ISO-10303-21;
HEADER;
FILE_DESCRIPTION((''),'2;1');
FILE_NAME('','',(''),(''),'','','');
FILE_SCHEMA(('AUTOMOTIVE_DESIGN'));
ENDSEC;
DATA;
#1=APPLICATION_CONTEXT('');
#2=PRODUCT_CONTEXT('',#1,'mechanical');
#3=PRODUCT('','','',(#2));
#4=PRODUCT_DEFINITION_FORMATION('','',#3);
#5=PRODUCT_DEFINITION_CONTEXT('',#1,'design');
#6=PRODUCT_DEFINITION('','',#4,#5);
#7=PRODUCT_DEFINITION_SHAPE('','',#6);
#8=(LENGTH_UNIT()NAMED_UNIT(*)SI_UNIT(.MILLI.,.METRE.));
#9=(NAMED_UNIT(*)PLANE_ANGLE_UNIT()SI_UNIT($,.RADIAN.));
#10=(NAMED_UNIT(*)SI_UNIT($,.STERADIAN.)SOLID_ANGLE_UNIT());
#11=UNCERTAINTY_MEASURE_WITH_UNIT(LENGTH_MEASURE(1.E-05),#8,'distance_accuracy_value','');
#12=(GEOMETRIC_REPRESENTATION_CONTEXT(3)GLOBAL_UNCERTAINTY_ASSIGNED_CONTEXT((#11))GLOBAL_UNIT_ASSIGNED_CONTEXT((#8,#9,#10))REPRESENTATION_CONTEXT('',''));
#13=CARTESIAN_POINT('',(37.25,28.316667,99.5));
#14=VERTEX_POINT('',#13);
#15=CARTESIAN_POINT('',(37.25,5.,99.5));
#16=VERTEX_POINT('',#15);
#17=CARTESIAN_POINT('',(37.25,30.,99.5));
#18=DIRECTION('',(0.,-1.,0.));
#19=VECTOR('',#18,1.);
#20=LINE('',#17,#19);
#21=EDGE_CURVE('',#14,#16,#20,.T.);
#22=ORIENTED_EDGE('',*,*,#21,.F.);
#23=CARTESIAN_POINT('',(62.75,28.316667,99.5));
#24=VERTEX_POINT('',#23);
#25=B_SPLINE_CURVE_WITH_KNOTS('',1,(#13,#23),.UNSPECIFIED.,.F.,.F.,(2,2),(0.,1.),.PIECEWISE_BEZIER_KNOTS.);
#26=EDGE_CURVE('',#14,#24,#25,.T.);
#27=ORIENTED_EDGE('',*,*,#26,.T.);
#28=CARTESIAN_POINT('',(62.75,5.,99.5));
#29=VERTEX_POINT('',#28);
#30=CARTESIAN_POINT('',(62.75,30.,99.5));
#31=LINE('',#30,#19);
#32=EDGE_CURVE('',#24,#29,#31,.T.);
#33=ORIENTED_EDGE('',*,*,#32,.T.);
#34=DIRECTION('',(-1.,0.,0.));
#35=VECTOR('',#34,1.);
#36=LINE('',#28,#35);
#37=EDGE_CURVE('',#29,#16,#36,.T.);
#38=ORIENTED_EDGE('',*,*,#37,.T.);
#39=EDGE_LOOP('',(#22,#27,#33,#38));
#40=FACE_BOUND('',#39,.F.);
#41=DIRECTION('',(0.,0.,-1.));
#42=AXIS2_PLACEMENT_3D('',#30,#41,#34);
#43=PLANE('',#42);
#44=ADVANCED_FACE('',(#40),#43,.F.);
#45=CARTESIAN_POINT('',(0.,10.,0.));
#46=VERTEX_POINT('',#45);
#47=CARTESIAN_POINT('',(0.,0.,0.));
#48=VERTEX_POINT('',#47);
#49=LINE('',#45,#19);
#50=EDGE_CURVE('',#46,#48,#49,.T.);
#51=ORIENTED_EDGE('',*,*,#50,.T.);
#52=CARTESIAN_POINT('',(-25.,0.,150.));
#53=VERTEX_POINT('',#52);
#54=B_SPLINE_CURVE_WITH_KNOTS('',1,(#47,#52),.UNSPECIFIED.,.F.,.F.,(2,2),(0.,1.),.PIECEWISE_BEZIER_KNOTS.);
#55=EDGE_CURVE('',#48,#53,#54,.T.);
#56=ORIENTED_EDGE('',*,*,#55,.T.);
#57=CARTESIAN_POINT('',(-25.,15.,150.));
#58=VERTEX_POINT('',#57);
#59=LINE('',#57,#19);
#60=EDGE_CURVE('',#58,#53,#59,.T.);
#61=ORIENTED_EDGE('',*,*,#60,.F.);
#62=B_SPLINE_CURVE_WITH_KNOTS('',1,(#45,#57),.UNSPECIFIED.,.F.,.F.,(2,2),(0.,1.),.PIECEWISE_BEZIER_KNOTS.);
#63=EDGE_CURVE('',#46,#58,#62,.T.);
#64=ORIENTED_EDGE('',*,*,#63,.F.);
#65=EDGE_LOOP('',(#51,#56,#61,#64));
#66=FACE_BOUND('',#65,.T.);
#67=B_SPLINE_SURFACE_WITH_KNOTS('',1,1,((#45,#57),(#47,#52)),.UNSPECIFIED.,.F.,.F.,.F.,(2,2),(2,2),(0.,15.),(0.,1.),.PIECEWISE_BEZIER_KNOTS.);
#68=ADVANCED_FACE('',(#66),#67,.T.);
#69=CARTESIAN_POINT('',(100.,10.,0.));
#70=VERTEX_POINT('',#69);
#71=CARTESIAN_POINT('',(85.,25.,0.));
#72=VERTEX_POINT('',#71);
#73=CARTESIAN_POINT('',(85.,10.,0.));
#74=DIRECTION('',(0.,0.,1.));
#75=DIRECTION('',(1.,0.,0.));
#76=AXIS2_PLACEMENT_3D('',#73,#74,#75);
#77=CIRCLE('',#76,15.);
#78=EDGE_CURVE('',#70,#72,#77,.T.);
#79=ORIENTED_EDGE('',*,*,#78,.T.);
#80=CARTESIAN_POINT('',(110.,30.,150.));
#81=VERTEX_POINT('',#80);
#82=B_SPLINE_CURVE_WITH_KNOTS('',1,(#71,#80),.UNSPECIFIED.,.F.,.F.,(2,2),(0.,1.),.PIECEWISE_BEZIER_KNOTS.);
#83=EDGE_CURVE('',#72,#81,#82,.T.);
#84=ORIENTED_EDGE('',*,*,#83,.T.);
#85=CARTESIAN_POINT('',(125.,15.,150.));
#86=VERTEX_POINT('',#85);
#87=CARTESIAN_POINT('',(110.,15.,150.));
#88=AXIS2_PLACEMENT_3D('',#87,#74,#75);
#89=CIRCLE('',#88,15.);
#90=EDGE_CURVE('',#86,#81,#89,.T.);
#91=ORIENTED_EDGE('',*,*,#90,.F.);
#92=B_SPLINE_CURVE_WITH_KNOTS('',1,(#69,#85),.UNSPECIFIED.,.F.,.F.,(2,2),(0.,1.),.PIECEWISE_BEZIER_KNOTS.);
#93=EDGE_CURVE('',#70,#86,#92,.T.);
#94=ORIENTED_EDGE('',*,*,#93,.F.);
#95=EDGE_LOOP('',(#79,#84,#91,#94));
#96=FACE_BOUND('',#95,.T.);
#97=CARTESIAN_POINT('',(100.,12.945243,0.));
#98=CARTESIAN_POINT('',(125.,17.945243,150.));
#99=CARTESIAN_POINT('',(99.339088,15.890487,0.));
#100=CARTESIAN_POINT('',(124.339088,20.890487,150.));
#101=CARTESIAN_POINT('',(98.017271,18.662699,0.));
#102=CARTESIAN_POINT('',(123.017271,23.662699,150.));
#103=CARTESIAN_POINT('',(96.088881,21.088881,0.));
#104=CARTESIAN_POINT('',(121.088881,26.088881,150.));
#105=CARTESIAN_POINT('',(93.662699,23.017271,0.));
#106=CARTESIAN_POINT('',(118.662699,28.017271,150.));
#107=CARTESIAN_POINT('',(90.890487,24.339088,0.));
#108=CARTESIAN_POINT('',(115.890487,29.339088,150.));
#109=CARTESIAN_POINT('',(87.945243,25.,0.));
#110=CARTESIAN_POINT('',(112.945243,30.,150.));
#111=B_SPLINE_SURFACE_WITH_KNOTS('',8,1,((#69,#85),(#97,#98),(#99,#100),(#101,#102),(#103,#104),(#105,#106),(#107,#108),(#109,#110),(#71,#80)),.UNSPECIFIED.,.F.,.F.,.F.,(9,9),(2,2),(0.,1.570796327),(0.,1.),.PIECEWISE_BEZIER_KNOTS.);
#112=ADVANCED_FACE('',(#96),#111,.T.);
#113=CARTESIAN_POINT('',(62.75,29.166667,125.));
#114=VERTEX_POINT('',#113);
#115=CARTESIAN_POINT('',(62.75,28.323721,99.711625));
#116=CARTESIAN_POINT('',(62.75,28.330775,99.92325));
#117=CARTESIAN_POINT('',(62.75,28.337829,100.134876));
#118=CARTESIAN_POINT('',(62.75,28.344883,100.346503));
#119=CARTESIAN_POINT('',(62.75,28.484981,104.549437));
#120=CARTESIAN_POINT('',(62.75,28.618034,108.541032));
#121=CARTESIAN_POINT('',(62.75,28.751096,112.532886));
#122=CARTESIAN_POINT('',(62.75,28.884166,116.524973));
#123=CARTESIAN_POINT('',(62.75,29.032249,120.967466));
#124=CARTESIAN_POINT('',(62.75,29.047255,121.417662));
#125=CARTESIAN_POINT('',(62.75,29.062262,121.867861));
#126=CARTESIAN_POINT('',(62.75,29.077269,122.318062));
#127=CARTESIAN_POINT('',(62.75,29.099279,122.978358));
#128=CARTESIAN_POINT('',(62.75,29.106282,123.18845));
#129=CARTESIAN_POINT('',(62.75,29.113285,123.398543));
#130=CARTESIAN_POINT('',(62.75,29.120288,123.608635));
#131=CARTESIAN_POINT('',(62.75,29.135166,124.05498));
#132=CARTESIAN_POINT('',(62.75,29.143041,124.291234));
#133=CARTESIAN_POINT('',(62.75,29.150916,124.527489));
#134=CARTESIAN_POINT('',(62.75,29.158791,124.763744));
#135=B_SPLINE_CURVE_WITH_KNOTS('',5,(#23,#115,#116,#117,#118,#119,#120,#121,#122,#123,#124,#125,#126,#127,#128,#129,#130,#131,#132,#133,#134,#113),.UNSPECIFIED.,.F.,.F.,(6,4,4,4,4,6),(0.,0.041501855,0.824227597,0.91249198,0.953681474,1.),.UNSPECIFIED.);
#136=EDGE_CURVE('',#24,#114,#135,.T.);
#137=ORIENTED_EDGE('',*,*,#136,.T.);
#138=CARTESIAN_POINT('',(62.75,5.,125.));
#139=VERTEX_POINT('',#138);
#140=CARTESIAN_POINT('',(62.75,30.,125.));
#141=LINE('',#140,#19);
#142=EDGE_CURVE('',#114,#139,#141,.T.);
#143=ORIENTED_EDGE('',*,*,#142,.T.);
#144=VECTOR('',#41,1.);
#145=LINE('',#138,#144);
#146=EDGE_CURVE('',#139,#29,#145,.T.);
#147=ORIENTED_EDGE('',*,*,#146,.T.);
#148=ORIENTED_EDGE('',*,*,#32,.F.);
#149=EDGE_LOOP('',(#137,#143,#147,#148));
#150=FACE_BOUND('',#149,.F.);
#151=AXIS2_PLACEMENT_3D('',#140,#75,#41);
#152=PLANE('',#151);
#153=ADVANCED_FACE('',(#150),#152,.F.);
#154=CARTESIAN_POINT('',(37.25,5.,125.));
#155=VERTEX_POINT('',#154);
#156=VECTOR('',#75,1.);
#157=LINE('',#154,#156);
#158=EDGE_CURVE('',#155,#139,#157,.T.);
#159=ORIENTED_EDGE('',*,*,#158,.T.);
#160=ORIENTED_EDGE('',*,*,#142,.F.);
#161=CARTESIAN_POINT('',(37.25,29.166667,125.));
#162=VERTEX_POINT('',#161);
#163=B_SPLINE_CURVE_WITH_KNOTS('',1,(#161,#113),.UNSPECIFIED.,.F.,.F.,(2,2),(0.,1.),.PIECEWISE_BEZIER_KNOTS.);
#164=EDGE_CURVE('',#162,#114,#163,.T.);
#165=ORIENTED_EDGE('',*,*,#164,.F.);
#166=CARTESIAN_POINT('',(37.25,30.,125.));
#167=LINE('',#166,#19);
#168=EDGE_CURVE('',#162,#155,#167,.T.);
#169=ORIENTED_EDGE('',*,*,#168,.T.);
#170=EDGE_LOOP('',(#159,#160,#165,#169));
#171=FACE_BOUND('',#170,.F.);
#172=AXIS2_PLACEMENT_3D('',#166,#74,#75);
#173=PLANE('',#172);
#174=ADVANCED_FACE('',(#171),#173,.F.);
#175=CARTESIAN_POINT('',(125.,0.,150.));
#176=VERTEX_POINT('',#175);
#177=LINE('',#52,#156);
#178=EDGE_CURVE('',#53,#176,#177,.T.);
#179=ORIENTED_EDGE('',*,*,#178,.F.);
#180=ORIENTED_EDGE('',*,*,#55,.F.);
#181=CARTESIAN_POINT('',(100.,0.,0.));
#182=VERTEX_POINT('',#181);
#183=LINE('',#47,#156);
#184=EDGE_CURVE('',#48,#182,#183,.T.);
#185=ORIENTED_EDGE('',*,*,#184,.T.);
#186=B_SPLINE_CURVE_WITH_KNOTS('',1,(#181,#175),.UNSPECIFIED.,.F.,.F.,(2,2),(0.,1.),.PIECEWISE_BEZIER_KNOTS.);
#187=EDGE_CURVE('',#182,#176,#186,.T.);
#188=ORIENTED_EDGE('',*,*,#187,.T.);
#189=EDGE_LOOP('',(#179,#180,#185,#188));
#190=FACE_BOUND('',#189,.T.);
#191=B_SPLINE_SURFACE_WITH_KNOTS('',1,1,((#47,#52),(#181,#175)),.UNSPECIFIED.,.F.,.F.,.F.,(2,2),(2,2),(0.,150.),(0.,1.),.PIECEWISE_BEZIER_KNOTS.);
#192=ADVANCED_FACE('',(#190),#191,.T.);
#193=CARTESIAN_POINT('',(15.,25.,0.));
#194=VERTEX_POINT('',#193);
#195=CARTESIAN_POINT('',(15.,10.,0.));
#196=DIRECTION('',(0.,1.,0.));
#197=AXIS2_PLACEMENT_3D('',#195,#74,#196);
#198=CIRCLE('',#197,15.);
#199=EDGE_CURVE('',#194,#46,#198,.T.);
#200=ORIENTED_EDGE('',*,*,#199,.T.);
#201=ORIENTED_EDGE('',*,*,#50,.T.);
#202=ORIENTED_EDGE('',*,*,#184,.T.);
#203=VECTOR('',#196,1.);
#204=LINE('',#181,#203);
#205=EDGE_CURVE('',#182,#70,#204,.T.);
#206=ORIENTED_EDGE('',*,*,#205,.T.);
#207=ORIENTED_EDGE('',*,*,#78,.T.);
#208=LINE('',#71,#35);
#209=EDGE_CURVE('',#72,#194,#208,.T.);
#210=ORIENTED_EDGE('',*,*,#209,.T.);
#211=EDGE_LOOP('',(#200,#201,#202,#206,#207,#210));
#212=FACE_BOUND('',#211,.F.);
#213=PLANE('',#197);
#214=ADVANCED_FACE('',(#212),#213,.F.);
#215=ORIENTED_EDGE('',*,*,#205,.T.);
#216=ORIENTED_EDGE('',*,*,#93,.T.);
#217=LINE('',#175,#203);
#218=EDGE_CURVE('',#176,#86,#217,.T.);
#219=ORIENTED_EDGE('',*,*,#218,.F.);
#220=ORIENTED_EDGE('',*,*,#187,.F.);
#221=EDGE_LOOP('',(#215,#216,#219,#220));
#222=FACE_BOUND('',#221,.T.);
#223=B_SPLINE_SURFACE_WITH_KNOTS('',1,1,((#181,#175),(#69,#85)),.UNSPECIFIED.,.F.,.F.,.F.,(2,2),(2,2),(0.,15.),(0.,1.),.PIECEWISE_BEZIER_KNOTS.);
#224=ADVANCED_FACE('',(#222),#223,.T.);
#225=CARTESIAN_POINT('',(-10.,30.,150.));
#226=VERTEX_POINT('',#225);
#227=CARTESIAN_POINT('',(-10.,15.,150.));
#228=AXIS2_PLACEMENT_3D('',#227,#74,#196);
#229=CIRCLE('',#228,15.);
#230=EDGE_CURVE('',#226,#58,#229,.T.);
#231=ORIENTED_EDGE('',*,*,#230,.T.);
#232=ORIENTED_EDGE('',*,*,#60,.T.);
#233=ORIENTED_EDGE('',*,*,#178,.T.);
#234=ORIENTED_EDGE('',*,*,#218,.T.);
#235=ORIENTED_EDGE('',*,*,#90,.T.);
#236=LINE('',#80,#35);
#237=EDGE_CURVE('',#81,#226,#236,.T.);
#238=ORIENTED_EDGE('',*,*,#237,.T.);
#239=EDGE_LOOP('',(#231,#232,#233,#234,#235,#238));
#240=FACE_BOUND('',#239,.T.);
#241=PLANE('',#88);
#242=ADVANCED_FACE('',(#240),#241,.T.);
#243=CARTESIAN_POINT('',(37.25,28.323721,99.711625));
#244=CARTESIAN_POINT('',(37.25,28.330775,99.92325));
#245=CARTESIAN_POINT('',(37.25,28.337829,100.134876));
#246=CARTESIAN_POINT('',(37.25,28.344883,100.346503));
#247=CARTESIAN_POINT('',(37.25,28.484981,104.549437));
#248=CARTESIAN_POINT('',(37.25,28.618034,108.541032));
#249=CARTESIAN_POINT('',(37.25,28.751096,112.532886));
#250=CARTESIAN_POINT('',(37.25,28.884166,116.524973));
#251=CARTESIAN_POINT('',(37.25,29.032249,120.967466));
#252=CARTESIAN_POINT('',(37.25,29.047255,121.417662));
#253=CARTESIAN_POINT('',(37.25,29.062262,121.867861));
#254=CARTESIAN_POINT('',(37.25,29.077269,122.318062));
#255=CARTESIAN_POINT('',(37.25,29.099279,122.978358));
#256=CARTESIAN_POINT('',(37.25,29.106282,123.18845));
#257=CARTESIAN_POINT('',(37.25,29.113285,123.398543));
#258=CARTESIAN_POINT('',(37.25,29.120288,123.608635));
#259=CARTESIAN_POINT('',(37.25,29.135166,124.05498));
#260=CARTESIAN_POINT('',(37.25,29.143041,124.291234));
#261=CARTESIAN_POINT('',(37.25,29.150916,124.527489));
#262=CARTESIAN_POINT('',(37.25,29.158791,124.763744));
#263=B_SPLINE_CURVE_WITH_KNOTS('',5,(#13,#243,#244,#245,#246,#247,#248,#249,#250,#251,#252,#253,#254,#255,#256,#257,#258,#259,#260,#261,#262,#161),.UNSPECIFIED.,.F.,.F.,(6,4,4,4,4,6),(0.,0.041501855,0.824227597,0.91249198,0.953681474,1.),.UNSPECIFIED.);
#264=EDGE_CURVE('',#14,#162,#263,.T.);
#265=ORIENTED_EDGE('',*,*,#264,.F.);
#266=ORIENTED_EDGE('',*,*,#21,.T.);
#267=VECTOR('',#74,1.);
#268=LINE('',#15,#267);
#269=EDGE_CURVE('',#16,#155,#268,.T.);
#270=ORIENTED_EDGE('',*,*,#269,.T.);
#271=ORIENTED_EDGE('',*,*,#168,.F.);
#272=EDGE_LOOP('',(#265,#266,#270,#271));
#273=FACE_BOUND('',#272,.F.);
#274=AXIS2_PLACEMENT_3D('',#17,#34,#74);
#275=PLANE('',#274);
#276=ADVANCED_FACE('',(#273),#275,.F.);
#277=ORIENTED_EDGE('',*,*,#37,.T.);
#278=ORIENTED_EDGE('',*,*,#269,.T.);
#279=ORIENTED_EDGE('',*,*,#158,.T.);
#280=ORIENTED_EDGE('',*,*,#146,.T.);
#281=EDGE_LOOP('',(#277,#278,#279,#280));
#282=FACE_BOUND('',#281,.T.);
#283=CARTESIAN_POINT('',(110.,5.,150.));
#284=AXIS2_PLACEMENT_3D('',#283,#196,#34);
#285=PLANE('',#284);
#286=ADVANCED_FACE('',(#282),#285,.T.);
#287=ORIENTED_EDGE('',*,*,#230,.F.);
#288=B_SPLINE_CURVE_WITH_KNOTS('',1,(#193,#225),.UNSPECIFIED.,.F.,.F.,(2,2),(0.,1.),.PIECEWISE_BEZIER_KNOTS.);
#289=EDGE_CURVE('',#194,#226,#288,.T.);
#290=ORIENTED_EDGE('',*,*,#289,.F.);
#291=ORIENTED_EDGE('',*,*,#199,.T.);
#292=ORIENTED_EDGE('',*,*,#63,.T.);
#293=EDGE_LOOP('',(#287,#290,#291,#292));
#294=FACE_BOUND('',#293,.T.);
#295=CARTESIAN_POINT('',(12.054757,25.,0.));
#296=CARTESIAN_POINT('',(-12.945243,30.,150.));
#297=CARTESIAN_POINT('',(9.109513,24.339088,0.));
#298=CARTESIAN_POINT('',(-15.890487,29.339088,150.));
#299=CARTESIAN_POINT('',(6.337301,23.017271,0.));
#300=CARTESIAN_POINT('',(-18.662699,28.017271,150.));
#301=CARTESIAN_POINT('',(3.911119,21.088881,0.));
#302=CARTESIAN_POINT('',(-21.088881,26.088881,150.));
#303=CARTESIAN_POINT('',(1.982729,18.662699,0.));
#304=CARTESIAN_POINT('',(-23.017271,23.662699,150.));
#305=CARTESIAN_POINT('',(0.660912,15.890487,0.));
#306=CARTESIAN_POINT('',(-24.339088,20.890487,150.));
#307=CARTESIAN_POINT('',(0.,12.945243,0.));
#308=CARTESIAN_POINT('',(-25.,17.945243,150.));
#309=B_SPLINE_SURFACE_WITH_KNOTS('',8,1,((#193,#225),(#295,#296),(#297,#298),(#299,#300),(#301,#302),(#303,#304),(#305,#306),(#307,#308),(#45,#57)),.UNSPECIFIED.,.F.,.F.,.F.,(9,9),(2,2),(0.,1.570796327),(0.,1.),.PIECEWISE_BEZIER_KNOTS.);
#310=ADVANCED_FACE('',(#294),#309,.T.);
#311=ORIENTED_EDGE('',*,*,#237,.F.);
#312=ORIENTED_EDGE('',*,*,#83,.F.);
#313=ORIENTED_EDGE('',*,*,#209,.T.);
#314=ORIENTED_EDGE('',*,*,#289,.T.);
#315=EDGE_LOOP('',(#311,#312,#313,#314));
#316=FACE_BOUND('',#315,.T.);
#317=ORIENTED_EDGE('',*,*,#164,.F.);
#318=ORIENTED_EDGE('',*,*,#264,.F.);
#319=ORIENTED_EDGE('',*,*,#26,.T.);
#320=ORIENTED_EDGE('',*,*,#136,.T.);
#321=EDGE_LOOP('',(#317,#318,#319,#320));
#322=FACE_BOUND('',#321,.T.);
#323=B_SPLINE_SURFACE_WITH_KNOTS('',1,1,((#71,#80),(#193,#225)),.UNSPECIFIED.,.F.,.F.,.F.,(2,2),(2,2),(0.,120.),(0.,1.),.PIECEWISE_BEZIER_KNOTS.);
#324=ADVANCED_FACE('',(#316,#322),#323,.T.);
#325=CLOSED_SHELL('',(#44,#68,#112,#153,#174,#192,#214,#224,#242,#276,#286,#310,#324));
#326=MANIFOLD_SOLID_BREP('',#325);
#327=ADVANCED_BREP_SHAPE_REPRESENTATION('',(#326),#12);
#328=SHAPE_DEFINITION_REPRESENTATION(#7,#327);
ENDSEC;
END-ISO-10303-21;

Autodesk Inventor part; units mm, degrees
ref_plane "YZ Plane" through (0, 0, 0) normal (1, 0, 0) x (0, 1, 0)
ref_plane "XZ Plane" through (0, 0, 0) normal (0, 1, 0) x (-1, 0, 0)
ref_plane "XY Plane" through (0, 0, 0) normal (0, 0, 1) x (1, 0, 0)
sketch "Sketch6" plane through (0, 0, 0) normal (0, 0, 1) x (1, 0, 0)
  line L0 (0, 0) -> (100, 0)
  line L1 (100, 0) -> (100, 10)
  line L2 (85, 25) -> (15, 25)
  line L3 (0, 10) -> (0, 0)
  arc A0 (15, 25) -> (0, 10) centre (15, 10) ccw
  arc A1 (100, 10) -> (85, 25) centre (85, 10) ccw
  point P0 (100, 25)
  point P1 (0, 25)
  dimension "d18" = 100
  dimension "d19" = 25
  dimension "d20" = 15
  dimension "d21" = 15
ref_plane "Work Plane1" through (85, 25, 0) normal (0, 0, 1) x (-1, 0, 0)
ref_plane "Work Plane2" through (85, 25, 150) normal (0, 0, 1) x (-1, 0, 0)
sketch "Sketch7" plane through (85, 25, 150) normal (0, 0, 1) x (-1, 0, 0)
  line L0 (110, 25) -> (-40, 25)
  line L1 (-40, 25) -> (-40, 10)
  line L2 (-25, -5) -> (95, -5)
  line L3 (110, 10) -> (110, 25)
  arc A0 (95, -5) -> (110, 10) centre (95, 10) ccw
  arc A1 (-40, 10) -> (-25, -5) centre (-25, 10) ccw
  point P0 (85, 25)
  point P1 (-40, -5)
  point P2 (110, -5)
  dimension "d23" = 30
  dimension "d24" = 150
  dimension "d25" = 25
  dimension "d26" = 15
  dimension "d27" = 15
  dimension "d42" = 0
loft "Loft1" add profiles "Sketch6", "Sketch7"
ref_plane "Work Plane3" through (110, 30, 150) normal (0, 1, 0) x (-1, 0, 0)
sketch "Sketch9" plane through (110, 30, 150) normal (0, 1, 0) x (-1, 0, 0)
  line L0 (72.75, -25) -> (47.25, -25)
  line L1 (47.25, -25) -> (47.25, -50.5)
  line L2 (47.25, -50.5) -> (72.75, -50.5)
  line L3 (72.75, -50.5) -> (72.75, -25)
  line L4 (0, 0) -> (120, 0) projected
  point P0 (110, -150)
  dimension "d45" = 25.5
  dimension "d46" = 25.5
  dimension "d47" = 25
  dimension "d48" = 47.25
  dimension "d49" = 47.25
extrude "Extrusion2" cut sketch "Sketch9" against normal blind 25
properties part number "_3DPrint"
